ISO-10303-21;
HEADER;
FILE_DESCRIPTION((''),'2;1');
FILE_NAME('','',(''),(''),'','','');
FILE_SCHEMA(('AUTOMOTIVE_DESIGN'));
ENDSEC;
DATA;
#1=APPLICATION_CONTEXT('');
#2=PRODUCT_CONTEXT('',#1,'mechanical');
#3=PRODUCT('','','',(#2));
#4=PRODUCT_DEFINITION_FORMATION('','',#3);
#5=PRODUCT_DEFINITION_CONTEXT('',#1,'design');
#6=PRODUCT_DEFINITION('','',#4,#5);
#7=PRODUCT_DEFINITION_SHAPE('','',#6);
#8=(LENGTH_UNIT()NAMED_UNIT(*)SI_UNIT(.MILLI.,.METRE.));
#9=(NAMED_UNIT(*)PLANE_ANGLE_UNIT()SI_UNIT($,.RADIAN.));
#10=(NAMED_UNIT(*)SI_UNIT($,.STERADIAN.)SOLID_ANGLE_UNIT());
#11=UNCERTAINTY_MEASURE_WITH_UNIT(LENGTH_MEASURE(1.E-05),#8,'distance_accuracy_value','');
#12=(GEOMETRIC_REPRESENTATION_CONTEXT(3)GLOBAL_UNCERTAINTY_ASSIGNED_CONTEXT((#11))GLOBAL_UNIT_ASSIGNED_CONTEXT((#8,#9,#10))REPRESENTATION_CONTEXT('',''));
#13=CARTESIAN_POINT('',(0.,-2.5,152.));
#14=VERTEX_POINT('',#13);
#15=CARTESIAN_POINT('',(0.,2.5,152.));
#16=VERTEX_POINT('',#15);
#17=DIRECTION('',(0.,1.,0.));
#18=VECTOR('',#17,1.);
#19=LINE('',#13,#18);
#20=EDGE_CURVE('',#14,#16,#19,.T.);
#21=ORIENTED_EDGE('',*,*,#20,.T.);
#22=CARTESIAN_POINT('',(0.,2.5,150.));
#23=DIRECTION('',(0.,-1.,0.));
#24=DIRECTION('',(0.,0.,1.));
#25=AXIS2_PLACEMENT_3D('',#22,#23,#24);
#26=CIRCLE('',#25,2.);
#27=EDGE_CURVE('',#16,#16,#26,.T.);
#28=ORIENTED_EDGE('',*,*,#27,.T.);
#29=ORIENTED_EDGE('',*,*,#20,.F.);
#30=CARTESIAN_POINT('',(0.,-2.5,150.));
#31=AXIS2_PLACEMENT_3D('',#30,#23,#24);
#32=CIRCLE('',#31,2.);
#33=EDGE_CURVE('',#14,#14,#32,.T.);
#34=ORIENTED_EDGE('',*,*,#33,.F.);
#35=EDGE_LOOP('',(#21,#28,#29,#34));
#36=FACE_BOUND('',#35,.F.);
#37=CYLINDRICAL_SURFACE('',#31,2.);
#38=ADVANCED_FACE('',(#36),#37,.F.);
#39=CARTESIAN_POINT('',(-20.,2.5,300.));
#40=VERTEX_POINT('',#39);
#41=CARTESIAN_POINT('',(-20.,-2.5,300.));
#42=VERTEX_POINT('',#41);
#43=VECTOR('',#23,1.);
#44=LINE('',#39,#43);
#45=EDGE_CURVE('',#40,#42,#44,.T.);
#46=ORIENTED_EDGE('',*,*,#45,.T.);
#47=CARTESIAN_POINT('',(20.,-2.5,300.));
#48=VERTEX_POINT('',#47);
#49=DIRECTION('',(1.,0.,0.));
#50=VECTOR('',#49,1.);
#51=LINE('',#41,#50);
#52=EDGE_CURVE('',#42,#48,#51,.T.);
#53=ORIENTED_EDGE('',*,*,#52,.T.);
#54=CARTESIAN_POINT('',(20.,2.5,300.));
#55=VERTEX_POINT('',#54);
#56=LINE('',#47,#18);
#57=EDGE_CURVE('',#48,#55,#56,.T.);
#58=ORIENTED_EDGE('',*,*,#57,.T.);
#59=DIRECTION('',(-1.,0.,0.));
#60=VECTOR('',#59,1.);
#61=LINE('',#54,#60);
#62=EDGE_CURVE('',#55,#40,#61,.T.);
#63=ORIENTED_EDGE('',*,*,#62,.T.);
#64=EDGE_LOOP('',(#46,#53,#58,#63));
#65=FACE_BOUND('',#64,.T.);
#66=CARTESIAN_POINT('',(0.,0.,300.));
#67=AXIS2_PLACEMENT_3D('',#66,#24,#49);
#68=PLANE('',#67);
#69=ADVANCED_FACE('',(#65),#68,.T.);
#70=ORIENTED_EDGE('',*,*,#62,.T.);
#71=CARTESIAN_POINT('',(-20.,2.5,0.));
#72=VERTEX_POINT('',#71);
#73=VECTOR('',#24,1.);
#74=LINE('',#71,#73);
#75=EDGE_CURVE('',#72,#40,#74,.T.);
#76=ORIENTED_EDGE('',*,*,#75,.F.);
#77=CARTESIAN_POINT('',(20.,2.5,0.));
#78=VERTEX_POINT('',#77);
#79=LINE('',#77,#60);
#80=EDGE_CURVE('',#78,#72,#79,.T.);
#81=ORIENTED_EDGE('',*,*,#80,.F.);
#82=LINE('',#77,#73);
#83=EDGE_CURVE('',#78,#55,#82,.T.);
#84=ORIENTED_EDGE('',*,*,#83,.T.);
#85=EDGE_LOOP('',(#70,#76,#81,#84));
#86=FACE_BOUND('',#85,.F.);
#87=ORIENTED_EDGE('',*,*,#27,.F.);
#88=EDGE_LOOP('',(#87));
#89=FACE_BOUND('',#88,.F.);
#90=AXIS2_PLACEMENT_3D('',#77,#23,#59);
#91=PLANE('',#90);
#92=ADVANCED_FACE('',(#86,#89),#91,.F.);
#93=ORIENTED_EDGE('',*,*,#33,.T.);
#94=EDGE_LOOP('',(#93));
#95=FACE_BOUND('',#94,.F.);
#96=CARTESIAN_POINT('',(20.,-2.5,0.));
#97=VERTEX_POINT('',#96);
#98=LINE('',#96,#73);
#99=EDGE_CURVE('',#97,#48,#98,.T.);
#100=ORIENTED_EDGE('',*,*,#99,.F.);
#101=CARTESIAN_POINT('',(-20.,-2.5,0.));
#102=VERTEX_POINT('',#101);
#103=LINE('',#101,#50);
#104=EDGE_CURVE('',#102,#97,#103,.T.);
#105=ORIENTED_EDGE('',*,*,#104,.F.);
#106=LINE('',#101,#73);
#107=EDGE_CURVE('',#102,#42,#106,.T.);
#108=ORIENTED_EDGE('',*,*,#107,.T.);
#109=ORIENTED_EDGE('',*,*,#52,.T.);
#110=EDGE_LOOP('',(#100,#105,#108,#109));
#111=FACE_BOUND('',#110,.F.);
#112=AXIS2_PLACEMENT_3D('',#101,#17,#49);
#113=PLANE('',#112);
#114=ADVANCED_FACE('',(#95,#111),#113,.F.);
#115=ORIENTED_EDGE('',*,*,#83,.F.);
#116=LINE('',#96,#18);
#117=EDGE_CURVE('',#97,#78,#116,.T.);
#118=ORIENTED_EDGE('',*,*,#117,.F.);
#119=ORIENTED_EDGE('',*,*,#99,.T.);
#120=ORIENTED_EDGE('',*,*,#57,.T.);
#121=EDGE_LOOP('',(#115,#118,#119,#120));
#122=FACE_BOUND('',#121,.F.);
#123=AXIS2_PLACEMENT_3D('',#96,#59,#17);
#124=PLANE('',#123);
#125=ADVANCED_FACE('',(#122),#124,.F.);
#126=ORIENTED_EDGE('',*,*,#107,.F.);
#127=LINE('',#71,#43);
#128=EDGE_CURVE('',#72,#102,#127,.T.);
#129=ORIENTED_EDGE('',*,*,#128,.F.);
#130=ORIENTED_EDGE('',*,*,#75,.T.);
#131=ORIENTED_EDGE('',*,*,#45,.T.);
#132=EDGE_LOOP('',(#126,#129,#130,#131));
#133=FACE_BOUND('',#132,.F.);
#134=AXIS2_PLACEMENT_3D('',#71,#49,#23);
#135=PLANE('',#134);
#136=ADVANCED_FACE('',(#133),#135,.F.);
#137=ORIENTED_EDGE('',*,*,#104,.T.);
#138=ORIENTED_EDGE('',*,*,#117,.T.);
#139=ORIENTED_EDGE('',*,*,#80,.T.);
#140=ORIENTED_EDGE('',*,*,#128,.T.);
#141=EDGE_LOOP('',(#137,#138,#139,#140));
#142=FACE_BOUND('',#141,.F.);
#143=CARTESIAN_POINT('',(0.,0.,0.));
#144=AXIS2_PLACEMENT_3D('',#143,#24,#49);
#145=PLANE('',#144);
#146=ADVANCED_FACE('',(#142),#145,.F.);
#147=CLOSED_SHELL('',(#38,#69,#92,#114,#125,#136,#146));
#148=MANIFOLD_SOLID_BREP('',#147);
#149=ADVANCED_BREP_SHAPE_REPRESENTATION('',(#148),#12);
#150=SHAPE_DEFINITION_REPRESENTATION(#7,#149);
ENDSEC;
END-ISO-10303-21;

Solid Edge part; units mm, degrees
sketch "Sketch1" plane through (0, 0, 0) normal (0, 0, 1) x (1, 0, 0)
  line L0 (-20, -2.5) -> (20, -2.5)
  line L1 (20, -2.5) -> (20, 2.5)
  line L2 (20, 2.5) -> (-20, 2.5)
  line L3 (-20, 2.5) -> (-20, -2.5)
  dimension "D1" = 40
  dimension "D2" = 5
extrude "base" add sketch "Sketch1" along normal blind 300
sketch "Sketch2" plane through (0, -2.5, 150) normal (0, -1, 0) x (0, 0, 1)
  circle A0 centre (0, 0) radius 2
  dimension "D1" = 4
extrude "Cutout1" cut sketch "Sketch2" against normal through all
properties part number "A1.M1" material "AlMgSi 0,5-1"
